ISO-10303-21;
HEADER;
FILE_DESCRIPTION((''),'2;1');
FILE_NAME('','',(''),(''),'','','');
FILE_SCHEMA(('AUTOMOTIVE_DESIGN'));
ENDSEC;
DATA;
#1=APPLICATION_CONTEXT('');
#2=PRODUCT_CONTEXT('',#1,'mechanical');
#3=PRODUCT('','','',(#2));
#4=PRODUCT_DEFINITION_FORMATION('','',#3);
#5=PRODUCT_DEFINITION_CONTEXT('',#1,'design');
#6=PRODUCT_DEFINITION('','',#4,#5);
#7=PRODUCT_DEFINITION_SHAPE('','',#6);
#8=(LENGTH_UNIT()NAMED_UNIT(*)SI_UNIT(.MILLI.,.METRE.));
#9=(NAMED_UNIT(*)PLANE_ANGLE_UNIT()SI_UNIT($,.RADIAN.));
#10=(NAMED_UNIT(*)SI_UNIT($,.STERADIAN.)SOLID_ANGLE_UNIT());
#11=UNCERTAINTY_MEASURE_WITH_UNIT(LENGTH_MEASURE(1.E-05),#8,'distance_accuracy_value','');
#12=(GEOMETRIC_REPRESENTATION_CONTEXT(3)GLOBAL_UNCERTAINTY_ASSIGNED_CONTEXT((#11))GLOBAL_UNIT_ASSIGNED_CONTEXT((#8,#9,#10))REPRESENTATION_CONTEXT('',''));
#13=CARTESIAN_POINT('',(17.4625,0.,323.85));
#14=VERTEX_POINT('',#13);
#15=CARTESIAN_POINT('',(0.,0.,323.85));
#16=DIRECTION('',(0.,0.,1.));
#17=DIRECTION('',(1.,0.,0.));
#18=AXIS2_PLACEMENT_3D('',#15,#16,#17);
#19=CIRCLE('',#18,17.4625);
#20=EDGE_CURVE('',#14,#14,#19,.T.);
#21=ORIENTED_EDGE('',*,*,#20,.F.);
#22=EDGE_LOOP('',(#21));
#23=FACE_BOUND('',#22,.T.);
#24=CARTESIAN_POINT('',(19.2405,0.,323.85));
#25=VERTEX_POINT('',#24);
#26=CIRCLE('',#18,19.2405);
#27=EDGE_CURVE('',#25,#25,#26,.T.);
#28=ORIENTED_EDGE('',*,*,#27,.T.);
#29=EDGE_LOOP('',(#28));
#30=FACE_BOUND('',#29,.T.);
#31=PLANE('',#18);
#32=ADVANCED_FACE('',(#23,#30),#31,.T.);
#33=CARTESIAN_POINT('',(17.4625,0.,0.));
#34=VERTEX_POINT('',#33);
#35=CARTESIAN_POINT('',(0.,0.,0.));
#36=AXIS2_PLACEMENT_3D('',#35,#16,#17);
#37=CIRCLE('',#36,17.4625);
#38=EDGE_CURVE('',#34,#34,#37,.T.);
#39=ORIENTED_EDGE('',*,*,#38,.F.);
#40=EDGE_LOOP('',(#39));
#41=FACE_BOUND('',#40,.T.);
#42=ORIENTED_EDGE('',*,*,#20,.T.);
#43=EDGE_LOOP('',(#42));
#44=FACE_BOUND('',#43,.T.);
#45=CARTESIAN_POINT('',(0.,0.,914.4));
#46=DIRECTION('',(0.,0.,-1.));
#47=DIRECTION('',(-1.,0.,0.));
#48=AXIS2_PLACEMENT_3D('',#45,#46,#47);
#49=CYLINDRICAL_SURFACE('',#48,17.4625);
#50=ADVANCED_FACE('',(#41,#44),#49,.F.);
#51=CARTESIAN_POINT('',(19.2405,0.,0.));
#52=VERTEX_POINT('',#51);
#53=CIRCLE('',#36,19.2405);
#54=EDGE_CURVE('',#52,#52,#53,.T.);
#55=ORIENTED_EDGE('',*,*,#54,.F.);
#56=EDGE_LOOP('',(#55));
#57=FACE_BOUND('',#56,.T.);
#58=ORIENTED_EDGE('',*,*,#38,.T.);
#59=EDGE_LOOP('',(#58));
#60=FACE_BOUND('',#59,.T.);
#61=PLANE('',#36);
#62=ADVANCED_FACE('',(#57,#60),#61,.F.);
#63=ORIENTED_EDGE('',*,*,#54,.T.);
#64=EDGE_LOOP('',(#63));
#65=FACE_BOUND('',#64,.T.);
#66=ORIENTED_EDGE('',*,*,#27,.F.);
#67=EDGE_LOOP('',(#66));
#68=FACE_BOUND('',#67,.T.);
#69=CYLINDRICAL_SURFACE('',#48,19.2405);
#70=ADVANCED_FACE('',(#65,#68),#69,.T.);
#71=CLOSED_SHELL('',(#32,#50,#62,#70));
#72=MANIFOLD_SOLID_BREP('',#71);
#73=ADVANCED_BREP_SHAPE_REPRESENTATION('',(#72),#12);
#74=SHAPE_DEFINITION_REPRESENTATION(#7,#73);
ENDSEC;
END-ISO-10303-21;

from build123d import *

# Parameters (mm, degrees)
ESQUISSE1_R             = 19.2405
ESQUISSE1_R_2           = 17.4625
BOSS_EXTRU_1_DEPTH      = 914.4
ENL_V_START             = -63.5
ESQUISSE3_R             = 19.2405
ENL_V_MAT_EXTRU_1_DEPTH = 63.5
ENL_V_START_2           = -527.05
ESQUISSE4_R             = 19.2405
ENL_V_MAT_EXTRU_2_DEPTH = 527.05


with BuildPart() as part:
    # Esquisse1 → Boss.-Extru.1 (new body)
    with BuildSketch(Plane.XY):
        Circle(ESQUISSE1_R)
        Circle(ESQUISSE1_R_2, mode=Mode.SUBTRACT)
    extrude(amount=BOSS_EXTRU_1_DEPTH)

    # Esquisse3 → Enlèv. mat.-Extru.1 (cut)
    with BuildSketch(Plane.XY.offset(914.4).offset(ENL_V_START)):
        Circle(ESQUISSE3_R)
    extrude(amount=ENL_V_MAT_EXTRU_1_DEPTH, mode=Mode.SUBTRACT)

    # Esquisse4 → Enlèv. mat.-Extru.2 (cut)
    with BuildSketch(Plane.XY.offset(850.9).offset(ENL_V_START_2)):
        Circle(ESQUISSE4_R)
    extrude(amount=ENL_V_MAT_EXTRU_2_DEPTH, mode=Mode.SUBTRACT)


solid = part.part
